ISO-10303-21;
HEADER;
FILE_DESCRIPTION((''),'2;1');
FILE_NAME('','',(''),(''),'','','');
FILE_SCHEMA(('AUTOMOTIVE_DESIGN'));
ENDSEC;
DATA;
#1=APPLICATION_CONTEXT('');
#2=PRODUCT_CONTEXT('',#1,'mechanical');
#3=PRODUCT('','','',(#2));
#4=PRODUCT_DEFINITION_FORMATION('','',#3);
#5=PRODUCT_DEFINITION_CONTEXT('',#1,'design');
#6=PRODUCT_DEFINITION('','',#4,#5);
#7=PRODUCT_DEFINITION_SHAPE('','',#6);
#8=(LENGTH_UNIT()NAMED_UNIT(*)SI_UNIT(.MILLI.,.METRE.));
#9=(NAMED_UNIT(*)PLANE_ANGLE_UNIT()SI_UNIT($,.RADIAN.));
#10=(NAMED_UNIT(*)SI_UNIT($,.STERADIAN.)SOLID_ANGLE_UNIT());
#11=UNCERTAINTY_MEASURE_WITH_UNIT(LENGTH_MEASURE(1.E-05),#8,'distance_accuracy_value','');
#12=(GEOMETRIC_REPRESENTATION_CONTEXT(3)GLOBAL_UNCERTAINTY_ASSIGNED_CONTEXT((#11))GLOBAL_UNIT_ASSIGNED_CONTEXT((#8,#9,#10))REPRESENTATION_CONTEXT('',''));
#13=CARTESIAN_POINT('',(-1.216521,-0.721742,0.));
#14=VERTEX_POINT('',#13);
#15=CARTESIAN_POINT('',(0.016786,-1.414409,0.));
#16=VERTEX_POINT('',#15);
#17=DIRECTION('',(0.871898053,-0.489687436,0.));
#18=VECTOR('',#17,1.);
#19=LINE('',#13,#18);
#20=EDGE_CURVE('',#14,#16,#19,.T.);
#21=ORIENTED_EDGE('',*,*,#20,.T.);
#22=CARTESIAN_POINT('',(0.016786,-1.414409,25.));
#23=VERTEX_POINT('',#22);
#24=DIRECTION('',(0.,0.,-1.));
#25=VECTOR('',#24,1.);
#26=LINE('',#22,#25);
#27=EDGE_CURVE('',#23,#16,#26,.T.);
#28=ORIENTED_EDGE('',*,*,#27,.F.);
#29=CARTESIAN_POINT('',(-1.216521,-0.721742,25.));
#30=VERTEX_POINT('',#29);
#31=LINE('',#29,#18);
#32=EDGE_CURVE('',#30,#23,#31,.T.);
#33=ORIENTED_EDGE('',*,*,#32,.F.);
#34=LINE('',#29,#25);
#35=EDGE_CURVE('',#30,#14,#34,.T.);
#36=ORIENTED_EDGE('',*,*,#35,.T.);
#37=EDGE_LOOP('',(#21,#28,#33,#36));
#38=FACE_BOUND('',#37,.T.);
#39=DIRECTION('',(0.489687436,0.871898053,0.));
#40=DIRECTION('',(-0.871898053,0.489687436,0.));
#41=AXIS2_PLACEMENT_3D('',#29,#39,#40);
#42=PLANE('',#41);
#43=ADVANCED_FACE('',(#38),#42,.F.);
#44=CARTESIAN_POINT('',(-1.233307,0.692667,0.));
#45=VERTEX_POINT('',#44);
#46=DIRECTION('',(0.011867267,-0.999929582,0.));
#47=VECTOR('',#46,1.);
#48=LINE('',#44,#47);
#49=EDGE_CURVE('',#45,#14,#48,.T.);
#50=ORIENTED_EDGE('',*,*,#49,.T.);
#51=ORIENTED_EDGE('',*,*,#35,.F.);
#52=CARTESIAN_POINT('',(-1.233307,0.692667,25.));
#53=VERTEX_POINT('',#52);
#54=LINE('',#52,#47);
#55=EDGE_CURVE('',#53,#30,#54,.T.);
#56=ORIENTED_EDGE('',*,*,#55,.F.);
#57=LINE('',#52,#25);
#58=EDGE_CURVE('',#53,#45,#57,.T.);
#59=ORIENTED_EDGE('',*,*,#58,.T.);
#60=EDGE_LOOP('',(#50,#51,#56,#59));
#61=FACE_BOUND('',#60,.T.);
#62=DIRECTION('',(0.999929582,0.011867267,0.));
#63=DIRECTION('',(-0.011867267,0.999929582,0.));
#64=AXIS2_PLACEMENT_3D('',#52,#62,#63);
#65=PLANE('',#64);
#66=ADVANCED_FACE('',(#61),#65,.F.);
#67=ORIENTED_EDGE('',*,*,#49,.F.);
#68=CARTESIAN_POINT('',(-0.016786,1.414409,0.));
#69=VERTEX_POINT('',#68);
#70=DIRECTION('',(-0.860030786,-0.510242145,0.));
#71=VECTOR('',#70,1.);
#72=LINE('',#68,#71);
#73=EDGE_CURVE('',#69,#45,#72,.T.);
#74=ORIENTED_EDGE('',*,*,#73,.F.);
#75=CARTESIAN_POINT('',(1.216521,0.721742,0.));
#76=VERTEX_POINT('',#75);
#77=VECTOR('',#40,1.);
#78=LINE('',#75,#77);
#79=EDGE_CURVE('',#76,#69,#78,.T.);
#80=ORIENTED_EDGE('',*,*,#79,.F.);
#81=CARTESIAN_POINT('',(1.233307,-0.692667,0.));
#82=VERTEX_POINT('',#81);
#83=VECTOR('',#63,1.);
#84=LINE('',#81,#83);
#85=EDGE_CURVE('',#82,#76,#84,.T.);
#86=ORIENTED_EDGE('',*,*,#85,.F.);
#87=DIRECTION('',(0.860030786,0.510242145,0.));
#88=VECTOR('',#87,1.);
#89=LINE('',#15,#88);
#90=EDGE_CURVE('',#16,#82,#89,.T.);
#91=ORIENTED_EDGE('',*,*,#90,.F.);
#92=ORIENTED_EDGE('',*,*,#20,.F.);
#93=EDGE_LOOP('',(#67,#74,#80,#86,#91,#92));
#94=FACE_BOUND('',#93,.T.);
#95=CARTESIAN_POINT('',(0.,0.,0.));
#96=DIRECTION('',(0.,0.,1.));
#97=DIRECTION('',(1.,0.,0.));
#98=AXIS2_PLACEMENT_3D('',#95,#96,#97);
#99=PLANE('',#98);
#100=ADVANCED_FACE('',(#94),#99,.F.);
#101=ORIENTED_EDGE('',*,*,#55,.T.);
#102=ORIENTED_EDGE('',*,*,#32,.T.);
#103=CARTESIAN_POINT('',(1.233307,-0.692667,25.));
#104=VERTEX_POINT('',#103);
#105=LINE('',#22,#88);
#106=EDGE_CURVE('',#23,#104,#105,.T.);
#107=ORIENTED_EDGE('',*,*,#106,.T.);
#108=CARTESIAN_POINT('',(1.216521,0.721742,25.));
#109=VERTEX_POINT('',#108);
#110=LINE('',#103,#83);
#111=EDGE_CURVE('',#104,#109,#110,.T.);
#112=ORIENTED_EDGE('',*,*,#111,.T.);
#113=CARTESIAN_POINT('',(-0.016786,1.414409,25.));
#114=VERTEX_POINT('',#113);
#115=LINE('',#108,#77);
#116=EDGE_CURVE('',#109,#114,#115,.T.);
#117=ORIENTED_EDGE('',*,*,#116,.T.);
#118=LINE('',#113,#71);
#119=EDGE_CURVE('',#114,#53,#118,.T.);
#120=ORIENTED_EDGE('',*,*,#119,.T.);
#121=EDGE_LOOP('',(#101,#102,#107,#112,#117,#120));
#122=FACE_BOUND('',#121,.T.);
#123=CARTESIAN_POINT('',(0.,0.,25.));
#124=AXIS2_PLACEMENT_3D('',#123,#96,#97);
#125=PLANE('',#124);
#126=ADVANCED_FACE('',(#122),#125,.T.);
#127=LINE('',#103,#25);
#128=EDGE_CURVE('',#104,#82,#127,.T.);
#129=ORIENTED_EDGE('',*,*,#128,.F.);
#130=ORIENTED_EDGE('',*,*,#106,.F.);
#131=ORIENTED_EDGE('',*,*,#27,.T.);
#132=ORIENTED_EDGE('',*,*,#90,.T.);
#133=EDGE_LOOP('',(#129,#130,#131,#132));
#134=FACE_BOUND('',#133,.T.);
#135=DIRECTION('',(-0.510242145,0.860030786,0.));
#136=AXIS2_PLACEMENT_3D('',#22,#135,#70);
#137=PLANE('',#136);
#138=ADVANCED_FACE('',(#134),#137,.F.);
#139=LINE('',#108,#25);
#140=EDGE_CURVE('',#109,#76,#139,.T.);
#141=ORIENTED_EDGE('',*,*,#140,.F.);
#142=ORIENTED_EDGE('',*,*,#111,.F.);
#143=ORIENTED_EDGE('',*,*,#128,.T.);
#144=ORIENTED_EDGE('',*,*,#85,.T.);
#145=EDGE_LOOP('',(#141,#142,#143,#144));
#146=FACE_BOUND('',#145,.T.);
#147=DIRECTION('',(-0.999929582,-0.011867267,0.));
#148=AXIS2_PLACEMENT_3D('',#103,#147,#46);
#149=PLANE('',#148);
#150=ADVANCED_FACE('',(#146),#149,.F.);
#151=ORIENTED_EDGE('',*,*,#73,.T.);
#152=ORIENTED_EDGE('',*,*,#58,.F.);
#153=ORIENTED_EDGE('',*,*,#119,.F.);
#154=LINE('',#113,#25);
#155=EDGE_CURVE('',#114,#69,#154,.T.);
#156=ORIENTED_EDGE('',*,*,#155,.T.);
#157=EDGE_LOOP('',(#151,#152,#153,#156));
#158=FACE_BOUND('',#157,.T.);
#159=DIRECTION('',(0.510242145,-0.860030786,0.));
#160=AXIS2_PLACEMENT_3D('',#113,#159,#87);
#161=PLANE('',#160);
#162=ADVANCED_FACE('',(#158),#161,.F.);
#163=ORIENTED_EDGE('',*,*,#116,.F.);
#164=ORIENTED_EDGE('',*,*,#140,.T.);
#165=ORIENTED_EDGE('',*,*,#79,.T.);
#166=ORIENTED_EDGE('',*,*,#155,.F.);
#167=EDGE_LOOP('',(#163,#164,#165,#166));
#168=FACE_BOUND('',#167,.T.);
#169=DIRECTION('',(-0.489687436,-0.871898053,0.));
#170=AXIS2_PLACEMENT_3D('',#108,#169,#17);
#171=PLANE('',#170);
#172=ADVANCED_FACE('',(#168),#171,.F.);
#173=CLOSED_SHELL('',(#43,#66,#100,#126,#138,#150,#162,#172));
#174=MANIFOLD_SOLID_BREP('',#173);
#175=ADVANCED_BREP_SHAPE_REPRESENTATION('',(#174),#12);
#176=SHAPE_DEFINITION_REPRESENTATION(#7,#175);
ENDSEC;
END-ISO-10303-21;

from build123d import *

# Parameters (mm, degrees)
BOSS_EXTRUDE1_DEPTH = 25


with BuildPart() as part:
    # Sketch1 → Boss-Extrude1 (new body)
    with BuildSketch(Plane.XY):
        Polygon((1.216520564, 0.721741678), (-0.016786346, 1.414408552), (-1.23330691, 0.692666874), (-1.216520564, -0.721741678), (0.016786346, -1.414408552), (1.23330691, -0.692666874), align=None)
    extrude(amount=BOSS_EXTRUDE1_DEPTH)


solid = part.part
